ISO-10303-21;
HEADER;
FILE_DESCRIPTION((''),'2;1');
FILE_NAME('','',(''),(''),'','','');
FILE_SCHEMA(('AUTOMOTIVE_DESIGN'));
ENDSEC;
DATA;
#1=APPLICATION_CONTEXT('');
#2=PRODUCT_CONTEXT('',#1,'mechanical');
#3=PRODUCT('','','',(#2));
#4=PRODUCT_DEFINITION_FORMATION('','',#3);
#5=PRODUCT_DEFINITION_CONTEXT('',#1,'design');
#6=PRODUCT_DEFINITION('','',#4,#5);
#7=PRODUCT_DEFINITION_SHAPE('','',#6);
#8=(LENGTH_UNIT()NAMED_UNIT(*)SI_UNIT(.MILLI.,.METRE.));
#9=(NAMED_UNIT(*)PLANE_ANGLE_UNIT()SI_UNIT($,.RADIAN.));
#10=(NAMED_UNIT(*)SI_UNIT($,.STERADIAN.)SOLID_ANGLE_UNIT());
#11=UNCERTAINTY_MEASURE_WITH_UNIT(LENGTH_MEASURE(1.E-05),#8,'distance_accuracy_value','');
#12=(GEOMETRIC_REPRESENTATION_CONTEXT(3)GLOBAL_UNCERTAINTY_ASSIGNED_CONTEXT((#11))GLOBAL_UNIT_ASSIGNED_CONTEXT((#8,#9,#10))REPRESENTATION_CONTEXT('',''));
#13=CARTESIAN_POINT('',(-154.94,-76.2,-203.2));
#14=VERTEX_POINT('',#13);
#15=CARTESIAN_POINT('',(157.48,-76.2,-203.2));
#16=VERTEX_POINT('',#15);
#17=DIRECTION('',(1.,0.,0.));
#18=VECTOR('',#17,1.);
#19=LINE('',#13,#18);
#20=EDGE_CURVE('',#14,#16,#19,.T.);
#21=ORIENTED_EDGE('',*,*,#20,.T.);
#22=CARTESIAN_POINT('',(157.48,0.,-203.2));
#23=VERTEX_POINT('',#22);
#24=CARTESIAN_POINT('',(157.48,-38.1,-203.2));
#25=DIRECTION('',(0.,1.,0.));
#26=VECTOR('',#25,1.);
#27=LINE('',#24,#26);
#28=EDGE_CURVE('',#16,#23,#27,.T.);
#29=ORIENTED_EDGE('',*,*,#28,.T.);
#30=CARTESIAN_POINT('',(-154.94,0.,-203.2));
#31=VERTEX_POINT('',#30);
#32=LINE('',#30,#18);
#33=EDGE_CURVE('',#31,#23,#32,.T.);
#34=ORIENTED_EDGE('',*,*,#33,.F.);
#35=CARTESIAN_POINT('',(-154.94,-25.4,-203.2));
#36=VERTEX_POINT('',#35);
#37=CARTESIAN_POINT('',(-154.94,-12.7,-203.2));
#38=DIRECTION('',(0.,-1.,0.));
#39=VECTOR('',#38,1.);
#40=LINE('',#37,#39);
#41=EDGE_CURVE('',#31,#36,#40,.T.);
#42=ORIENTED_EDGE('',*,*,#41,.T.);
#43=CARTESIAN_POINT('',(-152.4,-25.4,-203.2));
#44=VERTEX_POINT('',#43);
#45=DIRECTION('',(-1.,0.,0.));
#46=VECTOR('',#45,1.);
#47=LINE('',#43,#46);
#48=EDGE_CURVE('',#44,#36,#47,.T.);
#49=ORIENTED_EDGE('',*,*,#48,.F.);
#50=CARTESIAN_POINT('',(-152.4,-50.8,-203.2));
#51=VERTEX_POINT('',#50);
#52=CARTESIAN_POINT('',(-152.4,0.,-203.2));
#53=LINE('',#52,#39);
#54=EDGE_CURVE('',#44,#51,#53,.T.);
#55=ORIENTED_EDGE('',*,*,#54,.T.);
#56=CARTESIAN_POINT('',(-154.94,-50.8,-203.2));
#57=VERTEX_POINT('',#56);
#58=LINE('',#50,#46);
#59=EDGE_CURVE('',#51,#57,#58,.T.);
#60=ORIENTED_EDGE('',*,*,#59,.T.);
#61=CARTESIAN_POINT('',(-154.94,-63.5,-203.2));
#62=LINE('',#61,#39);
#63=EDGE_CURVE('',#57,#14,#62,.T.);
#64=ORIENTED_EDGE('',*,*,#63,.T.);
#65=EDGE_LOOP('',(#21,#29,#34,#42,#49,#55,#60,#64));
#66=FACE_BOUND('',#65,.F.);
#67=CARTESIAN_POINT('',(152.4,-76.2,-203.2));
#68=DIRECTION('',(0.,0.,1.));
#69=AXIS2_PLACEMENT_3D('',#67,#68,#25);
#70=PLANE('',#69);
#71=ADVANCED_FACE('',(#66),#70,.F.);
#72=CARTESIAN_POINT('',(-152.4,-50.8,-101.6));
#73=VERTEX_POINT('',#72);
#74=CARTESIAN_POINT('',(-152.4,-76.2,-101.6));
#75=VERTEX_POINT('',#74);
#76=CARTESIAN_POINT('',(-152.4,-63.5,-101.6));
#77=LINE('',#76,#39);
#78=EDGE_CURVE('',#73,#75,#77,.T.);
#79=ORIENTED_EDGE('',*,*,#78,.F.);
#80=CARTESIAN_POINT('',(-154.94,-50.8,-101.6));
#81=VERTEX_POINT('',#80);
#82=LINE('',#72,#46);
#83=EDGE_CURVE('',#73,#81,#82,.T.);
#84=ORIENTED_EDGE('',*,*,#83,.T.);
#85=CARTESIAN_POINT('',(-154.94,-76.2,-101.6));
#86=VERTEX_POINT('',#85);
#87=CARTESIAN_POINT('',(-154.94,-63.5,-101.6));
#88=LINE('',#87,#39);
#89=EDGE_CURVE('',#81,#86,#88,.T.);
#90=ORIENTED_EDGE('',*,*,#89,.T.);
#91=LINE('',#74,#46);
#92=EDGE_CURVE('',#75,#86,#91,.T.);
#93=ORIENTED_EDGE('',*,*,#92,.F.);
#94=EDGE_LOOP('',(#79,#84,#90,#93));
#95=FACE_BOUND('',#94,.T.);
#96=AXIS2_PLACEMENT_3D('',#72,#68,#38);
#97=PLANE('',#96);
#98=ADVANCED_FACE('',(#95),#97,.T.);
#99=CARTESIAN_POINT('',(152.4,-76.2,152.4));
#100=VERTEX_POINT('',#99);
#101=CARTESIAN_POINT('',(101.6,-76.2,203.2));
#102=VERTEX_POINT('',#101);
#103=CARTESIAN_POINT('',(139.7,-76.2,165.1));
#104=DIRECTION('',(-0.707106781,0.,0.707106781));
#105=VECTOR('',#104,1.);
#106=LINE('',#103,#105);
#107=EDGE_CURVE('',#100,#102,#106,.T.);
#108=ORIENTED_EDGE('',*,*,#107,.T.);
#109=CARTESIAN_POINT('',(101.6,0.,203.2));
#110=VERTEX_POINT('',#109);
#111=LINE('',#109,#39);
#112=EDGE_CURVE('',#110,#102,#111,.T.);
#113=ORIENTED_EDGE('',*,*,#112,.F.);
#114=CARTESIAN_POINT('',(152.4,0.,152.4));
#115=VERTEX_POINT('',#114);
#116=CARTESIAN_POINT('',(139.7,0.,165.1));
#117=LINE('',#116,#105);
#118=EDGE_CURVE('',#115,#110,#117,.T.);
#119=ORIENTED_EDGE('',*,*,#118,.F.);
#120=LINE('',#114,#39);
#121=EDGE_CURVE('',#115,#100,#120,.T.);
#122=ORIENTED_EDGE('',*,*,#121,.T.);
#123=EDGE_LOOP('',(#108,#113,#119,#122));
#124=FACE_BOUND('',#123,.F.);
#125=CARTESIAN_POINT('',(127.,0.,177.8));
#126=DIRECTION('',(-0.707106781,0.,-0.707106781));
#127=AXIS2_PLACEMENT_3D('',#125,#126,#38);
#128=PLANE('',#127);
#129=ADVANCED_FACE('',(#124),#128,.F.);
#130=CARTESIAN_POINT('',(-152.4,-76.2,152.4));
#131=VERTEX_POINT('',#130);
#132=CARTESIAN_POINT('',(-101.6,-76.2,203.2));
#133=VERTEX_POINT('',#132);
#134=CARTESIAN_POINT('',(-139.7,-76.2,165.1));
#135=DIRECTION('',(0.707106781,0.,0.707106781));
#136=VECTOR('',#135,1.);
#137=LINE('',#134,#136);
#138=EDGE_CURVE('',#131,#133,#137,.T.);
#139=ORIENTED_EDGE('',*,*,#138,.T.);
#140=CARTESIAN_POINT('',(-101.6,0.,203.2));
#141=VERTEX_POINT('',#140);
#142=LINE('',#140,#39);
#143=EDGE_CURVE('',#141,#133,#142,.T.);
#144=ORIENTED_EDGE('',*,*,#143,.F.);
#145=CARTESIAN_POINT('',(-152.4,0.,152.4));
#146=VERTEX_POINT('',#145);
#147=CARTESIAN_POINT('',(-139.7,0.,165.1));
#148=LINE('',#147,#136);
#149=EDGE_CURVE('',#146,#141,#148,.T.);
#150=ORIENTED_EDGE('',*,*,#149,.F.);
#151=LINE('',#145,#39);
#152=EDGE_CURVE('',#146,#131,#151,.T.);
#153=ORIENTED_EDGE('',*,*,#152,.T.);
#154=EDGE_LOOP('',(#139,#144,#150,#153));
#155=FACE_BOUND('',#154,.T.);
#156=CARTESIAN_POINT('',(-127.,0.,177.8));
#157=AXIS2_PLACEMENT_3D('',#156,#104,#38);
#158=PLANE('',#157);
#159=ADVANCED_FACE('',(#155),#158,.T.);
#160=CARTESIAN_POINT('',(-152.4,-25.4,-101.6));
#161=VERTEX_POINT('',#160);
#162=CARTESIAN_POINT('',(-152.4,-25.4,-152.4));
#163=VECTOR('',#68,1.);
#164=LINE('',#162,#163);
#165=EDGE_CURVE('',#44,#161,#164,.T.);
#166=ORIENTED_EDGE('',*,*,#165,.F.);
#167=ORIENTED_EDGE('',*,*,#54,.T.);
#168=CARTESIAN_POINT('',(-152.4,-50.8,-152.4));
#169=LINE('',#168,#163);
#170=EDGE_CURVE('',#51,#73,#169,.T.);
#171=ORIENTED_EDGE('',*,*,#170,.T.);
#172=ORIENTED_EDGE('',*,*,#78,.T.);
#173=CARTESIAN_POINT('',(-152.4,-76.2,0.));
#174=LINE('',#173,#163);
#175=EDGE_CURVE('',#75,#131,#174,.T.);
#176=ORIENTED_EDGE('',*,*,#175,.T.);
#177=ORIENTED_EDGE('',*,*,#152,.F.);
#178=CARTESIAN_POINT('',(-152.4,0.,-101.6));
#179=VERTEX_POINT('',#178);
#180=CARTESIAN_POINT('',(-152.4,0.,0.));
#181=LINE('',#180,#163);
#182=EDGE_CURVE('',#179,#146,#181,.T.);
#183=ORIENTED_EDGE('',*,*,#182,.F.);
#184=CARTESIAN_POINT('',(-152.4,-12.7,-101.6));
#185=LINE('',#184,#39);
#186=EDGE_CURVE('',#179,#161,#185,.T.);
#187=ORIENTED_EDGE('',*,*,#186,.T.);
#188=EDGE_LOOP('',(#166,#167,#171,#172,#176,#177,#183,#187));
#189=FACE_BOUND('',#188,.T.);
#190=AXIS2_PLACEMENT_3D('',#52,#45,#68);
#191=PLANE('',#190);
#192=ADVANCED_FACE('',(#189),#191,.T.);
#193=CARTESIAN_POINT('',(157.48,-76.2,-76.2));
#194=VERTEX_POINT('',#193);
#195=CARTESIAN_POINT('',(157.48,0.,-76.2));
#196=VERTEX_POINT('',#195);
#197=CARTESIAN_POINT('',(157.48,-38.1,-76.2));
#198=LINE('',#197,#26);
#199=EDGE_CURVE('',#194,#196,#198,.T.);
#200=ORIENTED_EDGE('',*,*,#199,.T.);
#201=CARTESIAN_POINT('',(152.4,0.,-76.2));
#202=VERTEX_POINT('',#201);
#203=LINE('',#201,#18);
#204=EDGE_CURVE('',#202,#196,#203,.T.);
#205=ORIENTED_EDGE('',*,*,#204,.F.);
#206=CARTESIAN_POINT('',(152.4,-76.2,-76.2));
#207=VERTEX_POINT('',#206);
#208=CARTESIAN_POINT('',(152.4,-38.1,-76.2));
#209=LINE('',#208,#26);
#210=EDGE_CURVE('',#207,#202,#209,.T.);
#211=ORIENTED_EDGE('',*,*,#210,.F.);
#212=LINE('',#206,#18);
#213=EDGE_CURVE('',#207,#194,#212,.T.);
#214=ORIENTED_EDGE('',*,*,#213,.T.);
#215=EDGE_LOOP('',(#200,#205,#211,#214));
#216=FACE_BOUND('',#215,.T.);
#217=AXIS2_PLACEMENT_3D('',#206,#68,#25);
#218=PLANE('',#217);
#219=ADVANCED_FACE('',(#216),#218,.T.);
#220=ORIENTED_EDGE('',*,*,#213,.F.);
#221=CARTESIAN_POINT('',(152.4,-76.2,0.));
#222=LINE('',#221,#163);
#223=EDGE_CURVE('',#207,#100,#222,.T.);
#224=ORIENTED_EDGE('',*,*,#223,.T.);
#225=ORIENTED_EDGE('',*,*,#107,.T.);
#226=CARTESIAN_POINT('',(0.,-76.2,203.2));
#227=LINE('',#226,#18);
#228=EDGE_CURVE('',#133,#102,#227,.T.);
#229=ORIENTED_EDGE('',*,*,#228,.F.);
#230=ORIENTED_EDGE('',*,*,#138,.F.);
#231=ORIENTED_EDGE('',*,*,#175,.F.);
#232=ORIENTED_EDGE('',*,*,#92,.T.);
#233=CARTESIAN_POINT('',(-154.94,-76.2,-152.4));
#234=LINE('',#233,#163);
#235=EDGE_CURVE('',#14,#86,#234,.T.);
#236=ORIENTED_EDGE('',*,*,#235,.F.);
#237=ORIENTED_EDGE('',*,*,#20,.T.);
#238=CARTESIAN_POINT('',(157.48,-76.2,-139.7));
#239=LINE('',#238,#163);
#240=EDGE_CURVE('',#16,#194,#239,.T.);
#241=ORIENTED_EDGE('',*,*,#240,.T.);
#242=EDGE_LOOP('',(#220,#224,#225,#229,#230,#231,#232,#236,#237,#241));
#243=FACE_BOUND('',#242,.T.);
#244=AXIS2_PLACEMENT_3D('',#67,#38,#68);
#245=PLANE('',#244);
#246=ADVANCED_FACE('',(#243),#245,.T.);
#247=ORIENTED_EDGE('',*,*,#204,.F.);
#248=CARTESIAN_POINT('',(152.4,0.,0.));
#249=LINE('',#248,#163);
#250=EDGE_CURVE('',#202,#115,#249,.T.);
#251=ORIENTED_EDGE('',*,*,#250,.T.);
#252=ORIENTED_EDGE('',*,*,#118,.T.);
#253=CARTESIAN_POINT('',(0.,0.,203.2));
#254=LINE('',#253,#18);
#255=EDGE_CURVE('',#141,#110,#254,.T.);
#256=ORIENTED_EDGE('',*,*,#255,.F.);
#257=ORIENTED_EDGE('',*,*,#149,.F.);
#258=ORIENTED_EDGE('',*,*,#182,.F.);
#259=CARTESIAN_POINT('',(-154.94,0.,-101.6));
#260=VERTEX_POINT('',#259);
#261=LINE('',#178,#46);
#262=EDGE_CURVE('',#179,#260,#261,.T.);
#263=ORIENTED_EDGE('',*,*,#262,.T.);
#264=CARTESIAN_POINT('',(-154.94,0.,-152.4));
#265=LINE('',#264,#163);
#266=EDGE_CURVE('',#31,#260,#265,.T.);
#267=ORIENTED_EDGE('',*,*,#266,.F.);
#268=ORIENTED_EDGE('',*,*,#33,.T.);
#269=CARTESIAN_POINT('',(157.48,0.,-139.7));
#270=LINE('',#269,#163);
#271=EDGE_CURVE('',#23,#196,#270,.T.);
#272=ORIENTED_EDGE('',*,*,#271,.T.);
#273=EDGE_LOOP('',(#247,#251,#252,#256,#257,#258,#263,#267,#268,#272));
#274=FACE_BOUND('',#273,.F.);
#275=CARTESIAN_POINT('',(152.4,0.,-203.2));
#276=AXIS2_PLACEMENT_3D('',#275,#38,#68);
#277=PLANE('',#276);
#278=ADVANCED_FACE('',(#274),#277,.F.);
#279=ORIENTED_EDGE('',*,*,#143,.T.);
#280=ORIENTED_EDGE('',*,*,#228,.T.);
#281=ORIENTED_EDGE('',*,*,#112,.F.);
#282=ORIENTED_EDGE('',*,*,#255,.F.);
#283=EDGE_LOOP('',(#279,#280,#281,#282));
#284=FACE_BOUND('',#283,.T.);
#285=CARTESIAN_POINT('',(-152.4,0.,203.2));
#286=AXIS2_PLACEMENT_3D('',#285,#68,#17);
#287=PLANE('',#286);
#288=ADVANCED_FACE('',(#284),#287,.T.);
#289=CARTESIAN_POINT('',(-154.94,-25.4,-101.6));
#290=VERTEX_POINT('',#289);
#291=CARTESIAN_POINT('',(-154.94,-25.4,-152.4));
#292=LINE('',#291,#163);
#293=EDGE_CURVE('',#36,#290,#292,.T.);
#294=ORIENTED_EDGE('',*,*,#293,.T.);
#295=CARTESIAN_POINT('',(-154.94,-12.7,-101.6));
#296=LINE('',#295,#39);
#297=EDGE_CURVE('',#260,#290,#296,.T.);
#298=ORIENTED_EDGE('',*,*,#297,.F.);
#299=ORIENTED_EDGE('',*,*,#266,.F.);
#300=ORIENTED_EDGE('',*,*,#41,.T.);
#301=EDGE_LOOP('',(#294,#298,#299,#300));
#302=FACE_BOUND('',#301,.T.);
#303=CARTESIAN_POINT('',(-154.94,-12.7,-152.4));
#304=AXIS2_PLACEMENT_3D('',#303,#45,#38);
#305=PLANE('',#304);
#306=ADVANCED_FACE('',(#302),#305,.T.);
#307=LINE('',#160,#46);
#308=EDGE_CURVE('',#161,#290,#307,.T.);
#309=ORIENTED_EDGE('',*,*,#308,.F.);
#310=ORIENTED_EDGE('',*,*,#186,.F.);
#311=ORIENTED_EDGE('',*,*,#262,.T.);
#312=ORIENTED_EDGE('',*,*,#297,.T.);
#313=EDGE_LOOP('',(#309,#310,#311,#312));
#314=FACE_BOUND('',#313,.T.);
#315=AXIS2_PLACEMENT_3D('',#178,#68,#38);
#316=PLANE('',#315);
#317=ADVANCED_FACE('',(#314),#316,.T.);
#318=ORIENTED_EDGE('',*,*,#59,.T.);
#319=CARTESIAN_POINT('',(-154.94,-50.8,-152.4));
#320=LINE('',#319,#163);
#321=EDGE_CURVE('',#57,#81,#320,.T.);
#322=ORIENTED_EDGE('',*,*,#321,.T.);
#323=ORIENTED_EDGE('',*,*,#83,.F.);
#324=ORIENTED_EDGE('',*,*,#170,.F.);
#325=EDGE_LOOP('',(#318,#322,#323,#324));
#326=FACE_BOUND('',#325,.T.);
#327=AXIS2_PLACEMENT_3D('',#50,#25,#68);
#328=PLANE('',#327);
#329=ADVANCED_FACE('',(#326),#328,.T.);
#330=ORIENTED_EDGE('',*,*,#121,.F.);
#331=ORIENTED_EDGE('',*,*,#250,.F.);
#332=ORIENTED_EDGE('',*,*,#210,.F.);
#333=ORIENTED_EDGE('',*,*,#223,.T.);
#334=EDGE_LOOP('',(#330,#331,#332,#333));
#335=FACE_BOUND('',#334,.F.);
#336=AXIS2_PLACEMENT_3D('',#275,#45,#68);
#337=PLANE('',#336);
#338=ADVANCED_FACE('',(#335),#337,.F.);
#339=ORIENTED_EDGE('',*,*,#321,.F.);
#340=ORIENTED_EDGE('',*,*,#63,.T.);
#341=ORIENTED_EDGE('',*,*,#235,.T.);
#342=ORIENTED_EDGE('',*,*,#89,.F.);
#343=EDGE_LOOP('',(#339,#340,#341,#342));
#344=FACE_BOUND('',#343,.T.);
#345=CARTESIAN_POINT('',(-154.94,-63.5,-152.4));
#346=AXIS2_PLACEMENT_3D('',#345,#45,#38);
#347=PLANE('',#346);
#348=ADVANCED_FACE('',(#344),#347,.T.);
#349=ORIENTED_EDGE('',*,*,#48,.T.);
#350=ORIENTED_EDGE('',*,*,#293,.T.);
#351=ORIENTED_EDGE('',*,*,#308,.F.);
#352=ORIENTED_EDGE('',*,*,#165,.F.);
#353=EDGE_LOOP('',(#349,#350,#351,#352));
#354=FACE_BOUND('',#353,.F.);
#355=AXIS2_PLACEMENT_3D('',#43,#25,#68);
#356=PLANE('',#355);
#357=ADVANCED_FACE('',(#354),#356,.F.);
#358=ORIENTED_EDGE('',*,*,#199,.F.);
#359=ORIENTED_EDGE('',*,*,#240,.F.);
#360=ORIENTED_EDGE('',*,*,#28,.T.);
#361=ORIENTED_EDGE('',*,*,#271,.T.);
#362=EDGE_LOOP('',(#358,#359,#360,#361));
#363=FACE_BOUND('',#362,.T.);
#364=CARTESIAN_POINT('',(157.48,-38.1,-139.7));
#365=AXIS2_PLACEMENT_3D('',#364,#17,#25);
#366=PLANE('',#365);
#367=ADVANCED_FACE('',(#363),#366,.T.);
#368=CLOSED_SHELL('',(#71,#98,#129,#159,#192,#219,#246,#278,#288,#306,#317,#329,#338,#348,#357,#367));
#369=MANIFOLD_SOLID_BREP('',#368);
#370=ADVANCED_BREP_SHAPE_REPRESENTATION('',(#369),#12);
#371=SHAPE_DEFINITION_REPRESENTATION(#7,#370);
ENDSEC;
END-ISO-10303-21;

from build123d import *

# Parameters (mm, degrees)
F0_W     = 304.8
F0_H     = 406.4
F1_DEPTH = 76.2
F2_SIZE  = 50.8
F3_W     = 25.4
F3_H     = 101.6
F4_DEPTH = 2.54
F5_W     = 76.2
F5_H     = 127
F6_DEPTH = 5.08


with BuildPart() as f1:
    # F0 (on Front) → F1 (new body)
    with BuildSketch(Plane.XZ):
        Rectangle(F0_W, F0_H)
    extrude(amount=F1_DEPTH)

    # F2
    f2_edges = [f1.edges().sort_by_distance(p)[0] for p in [
        (-152.4, -38.1, 203.2),
        (152.4, -38.1, 203.2),
    ]]
    chamfer(f2_edges, length=F2_SIZE)

    # F3 (on face) → F4 (join)
    with BuildSketch(Plane(origin=(-152.4, 0, 0), x_dir=(0, -1, 0), z_dir=(-1, 0, 0))):
        with Locations((12.7, -152.4)):
            Rectangle(F3_W, F3_H)
        with Locations((63.5, -152.4)):
            Rectangle(F3_W, F3_H)
    extrude(amount=F4_DEPTH)

    # F5 (on face) → F6 (join)
    with BuildSketch(Plane.YZ.offset(152.4)):
        with Locations((-38.1, -139.7)):
            Rectangle(F5_W, F5_H)
    extrude(amount=F6_DEPTH)


solid = f1.part
